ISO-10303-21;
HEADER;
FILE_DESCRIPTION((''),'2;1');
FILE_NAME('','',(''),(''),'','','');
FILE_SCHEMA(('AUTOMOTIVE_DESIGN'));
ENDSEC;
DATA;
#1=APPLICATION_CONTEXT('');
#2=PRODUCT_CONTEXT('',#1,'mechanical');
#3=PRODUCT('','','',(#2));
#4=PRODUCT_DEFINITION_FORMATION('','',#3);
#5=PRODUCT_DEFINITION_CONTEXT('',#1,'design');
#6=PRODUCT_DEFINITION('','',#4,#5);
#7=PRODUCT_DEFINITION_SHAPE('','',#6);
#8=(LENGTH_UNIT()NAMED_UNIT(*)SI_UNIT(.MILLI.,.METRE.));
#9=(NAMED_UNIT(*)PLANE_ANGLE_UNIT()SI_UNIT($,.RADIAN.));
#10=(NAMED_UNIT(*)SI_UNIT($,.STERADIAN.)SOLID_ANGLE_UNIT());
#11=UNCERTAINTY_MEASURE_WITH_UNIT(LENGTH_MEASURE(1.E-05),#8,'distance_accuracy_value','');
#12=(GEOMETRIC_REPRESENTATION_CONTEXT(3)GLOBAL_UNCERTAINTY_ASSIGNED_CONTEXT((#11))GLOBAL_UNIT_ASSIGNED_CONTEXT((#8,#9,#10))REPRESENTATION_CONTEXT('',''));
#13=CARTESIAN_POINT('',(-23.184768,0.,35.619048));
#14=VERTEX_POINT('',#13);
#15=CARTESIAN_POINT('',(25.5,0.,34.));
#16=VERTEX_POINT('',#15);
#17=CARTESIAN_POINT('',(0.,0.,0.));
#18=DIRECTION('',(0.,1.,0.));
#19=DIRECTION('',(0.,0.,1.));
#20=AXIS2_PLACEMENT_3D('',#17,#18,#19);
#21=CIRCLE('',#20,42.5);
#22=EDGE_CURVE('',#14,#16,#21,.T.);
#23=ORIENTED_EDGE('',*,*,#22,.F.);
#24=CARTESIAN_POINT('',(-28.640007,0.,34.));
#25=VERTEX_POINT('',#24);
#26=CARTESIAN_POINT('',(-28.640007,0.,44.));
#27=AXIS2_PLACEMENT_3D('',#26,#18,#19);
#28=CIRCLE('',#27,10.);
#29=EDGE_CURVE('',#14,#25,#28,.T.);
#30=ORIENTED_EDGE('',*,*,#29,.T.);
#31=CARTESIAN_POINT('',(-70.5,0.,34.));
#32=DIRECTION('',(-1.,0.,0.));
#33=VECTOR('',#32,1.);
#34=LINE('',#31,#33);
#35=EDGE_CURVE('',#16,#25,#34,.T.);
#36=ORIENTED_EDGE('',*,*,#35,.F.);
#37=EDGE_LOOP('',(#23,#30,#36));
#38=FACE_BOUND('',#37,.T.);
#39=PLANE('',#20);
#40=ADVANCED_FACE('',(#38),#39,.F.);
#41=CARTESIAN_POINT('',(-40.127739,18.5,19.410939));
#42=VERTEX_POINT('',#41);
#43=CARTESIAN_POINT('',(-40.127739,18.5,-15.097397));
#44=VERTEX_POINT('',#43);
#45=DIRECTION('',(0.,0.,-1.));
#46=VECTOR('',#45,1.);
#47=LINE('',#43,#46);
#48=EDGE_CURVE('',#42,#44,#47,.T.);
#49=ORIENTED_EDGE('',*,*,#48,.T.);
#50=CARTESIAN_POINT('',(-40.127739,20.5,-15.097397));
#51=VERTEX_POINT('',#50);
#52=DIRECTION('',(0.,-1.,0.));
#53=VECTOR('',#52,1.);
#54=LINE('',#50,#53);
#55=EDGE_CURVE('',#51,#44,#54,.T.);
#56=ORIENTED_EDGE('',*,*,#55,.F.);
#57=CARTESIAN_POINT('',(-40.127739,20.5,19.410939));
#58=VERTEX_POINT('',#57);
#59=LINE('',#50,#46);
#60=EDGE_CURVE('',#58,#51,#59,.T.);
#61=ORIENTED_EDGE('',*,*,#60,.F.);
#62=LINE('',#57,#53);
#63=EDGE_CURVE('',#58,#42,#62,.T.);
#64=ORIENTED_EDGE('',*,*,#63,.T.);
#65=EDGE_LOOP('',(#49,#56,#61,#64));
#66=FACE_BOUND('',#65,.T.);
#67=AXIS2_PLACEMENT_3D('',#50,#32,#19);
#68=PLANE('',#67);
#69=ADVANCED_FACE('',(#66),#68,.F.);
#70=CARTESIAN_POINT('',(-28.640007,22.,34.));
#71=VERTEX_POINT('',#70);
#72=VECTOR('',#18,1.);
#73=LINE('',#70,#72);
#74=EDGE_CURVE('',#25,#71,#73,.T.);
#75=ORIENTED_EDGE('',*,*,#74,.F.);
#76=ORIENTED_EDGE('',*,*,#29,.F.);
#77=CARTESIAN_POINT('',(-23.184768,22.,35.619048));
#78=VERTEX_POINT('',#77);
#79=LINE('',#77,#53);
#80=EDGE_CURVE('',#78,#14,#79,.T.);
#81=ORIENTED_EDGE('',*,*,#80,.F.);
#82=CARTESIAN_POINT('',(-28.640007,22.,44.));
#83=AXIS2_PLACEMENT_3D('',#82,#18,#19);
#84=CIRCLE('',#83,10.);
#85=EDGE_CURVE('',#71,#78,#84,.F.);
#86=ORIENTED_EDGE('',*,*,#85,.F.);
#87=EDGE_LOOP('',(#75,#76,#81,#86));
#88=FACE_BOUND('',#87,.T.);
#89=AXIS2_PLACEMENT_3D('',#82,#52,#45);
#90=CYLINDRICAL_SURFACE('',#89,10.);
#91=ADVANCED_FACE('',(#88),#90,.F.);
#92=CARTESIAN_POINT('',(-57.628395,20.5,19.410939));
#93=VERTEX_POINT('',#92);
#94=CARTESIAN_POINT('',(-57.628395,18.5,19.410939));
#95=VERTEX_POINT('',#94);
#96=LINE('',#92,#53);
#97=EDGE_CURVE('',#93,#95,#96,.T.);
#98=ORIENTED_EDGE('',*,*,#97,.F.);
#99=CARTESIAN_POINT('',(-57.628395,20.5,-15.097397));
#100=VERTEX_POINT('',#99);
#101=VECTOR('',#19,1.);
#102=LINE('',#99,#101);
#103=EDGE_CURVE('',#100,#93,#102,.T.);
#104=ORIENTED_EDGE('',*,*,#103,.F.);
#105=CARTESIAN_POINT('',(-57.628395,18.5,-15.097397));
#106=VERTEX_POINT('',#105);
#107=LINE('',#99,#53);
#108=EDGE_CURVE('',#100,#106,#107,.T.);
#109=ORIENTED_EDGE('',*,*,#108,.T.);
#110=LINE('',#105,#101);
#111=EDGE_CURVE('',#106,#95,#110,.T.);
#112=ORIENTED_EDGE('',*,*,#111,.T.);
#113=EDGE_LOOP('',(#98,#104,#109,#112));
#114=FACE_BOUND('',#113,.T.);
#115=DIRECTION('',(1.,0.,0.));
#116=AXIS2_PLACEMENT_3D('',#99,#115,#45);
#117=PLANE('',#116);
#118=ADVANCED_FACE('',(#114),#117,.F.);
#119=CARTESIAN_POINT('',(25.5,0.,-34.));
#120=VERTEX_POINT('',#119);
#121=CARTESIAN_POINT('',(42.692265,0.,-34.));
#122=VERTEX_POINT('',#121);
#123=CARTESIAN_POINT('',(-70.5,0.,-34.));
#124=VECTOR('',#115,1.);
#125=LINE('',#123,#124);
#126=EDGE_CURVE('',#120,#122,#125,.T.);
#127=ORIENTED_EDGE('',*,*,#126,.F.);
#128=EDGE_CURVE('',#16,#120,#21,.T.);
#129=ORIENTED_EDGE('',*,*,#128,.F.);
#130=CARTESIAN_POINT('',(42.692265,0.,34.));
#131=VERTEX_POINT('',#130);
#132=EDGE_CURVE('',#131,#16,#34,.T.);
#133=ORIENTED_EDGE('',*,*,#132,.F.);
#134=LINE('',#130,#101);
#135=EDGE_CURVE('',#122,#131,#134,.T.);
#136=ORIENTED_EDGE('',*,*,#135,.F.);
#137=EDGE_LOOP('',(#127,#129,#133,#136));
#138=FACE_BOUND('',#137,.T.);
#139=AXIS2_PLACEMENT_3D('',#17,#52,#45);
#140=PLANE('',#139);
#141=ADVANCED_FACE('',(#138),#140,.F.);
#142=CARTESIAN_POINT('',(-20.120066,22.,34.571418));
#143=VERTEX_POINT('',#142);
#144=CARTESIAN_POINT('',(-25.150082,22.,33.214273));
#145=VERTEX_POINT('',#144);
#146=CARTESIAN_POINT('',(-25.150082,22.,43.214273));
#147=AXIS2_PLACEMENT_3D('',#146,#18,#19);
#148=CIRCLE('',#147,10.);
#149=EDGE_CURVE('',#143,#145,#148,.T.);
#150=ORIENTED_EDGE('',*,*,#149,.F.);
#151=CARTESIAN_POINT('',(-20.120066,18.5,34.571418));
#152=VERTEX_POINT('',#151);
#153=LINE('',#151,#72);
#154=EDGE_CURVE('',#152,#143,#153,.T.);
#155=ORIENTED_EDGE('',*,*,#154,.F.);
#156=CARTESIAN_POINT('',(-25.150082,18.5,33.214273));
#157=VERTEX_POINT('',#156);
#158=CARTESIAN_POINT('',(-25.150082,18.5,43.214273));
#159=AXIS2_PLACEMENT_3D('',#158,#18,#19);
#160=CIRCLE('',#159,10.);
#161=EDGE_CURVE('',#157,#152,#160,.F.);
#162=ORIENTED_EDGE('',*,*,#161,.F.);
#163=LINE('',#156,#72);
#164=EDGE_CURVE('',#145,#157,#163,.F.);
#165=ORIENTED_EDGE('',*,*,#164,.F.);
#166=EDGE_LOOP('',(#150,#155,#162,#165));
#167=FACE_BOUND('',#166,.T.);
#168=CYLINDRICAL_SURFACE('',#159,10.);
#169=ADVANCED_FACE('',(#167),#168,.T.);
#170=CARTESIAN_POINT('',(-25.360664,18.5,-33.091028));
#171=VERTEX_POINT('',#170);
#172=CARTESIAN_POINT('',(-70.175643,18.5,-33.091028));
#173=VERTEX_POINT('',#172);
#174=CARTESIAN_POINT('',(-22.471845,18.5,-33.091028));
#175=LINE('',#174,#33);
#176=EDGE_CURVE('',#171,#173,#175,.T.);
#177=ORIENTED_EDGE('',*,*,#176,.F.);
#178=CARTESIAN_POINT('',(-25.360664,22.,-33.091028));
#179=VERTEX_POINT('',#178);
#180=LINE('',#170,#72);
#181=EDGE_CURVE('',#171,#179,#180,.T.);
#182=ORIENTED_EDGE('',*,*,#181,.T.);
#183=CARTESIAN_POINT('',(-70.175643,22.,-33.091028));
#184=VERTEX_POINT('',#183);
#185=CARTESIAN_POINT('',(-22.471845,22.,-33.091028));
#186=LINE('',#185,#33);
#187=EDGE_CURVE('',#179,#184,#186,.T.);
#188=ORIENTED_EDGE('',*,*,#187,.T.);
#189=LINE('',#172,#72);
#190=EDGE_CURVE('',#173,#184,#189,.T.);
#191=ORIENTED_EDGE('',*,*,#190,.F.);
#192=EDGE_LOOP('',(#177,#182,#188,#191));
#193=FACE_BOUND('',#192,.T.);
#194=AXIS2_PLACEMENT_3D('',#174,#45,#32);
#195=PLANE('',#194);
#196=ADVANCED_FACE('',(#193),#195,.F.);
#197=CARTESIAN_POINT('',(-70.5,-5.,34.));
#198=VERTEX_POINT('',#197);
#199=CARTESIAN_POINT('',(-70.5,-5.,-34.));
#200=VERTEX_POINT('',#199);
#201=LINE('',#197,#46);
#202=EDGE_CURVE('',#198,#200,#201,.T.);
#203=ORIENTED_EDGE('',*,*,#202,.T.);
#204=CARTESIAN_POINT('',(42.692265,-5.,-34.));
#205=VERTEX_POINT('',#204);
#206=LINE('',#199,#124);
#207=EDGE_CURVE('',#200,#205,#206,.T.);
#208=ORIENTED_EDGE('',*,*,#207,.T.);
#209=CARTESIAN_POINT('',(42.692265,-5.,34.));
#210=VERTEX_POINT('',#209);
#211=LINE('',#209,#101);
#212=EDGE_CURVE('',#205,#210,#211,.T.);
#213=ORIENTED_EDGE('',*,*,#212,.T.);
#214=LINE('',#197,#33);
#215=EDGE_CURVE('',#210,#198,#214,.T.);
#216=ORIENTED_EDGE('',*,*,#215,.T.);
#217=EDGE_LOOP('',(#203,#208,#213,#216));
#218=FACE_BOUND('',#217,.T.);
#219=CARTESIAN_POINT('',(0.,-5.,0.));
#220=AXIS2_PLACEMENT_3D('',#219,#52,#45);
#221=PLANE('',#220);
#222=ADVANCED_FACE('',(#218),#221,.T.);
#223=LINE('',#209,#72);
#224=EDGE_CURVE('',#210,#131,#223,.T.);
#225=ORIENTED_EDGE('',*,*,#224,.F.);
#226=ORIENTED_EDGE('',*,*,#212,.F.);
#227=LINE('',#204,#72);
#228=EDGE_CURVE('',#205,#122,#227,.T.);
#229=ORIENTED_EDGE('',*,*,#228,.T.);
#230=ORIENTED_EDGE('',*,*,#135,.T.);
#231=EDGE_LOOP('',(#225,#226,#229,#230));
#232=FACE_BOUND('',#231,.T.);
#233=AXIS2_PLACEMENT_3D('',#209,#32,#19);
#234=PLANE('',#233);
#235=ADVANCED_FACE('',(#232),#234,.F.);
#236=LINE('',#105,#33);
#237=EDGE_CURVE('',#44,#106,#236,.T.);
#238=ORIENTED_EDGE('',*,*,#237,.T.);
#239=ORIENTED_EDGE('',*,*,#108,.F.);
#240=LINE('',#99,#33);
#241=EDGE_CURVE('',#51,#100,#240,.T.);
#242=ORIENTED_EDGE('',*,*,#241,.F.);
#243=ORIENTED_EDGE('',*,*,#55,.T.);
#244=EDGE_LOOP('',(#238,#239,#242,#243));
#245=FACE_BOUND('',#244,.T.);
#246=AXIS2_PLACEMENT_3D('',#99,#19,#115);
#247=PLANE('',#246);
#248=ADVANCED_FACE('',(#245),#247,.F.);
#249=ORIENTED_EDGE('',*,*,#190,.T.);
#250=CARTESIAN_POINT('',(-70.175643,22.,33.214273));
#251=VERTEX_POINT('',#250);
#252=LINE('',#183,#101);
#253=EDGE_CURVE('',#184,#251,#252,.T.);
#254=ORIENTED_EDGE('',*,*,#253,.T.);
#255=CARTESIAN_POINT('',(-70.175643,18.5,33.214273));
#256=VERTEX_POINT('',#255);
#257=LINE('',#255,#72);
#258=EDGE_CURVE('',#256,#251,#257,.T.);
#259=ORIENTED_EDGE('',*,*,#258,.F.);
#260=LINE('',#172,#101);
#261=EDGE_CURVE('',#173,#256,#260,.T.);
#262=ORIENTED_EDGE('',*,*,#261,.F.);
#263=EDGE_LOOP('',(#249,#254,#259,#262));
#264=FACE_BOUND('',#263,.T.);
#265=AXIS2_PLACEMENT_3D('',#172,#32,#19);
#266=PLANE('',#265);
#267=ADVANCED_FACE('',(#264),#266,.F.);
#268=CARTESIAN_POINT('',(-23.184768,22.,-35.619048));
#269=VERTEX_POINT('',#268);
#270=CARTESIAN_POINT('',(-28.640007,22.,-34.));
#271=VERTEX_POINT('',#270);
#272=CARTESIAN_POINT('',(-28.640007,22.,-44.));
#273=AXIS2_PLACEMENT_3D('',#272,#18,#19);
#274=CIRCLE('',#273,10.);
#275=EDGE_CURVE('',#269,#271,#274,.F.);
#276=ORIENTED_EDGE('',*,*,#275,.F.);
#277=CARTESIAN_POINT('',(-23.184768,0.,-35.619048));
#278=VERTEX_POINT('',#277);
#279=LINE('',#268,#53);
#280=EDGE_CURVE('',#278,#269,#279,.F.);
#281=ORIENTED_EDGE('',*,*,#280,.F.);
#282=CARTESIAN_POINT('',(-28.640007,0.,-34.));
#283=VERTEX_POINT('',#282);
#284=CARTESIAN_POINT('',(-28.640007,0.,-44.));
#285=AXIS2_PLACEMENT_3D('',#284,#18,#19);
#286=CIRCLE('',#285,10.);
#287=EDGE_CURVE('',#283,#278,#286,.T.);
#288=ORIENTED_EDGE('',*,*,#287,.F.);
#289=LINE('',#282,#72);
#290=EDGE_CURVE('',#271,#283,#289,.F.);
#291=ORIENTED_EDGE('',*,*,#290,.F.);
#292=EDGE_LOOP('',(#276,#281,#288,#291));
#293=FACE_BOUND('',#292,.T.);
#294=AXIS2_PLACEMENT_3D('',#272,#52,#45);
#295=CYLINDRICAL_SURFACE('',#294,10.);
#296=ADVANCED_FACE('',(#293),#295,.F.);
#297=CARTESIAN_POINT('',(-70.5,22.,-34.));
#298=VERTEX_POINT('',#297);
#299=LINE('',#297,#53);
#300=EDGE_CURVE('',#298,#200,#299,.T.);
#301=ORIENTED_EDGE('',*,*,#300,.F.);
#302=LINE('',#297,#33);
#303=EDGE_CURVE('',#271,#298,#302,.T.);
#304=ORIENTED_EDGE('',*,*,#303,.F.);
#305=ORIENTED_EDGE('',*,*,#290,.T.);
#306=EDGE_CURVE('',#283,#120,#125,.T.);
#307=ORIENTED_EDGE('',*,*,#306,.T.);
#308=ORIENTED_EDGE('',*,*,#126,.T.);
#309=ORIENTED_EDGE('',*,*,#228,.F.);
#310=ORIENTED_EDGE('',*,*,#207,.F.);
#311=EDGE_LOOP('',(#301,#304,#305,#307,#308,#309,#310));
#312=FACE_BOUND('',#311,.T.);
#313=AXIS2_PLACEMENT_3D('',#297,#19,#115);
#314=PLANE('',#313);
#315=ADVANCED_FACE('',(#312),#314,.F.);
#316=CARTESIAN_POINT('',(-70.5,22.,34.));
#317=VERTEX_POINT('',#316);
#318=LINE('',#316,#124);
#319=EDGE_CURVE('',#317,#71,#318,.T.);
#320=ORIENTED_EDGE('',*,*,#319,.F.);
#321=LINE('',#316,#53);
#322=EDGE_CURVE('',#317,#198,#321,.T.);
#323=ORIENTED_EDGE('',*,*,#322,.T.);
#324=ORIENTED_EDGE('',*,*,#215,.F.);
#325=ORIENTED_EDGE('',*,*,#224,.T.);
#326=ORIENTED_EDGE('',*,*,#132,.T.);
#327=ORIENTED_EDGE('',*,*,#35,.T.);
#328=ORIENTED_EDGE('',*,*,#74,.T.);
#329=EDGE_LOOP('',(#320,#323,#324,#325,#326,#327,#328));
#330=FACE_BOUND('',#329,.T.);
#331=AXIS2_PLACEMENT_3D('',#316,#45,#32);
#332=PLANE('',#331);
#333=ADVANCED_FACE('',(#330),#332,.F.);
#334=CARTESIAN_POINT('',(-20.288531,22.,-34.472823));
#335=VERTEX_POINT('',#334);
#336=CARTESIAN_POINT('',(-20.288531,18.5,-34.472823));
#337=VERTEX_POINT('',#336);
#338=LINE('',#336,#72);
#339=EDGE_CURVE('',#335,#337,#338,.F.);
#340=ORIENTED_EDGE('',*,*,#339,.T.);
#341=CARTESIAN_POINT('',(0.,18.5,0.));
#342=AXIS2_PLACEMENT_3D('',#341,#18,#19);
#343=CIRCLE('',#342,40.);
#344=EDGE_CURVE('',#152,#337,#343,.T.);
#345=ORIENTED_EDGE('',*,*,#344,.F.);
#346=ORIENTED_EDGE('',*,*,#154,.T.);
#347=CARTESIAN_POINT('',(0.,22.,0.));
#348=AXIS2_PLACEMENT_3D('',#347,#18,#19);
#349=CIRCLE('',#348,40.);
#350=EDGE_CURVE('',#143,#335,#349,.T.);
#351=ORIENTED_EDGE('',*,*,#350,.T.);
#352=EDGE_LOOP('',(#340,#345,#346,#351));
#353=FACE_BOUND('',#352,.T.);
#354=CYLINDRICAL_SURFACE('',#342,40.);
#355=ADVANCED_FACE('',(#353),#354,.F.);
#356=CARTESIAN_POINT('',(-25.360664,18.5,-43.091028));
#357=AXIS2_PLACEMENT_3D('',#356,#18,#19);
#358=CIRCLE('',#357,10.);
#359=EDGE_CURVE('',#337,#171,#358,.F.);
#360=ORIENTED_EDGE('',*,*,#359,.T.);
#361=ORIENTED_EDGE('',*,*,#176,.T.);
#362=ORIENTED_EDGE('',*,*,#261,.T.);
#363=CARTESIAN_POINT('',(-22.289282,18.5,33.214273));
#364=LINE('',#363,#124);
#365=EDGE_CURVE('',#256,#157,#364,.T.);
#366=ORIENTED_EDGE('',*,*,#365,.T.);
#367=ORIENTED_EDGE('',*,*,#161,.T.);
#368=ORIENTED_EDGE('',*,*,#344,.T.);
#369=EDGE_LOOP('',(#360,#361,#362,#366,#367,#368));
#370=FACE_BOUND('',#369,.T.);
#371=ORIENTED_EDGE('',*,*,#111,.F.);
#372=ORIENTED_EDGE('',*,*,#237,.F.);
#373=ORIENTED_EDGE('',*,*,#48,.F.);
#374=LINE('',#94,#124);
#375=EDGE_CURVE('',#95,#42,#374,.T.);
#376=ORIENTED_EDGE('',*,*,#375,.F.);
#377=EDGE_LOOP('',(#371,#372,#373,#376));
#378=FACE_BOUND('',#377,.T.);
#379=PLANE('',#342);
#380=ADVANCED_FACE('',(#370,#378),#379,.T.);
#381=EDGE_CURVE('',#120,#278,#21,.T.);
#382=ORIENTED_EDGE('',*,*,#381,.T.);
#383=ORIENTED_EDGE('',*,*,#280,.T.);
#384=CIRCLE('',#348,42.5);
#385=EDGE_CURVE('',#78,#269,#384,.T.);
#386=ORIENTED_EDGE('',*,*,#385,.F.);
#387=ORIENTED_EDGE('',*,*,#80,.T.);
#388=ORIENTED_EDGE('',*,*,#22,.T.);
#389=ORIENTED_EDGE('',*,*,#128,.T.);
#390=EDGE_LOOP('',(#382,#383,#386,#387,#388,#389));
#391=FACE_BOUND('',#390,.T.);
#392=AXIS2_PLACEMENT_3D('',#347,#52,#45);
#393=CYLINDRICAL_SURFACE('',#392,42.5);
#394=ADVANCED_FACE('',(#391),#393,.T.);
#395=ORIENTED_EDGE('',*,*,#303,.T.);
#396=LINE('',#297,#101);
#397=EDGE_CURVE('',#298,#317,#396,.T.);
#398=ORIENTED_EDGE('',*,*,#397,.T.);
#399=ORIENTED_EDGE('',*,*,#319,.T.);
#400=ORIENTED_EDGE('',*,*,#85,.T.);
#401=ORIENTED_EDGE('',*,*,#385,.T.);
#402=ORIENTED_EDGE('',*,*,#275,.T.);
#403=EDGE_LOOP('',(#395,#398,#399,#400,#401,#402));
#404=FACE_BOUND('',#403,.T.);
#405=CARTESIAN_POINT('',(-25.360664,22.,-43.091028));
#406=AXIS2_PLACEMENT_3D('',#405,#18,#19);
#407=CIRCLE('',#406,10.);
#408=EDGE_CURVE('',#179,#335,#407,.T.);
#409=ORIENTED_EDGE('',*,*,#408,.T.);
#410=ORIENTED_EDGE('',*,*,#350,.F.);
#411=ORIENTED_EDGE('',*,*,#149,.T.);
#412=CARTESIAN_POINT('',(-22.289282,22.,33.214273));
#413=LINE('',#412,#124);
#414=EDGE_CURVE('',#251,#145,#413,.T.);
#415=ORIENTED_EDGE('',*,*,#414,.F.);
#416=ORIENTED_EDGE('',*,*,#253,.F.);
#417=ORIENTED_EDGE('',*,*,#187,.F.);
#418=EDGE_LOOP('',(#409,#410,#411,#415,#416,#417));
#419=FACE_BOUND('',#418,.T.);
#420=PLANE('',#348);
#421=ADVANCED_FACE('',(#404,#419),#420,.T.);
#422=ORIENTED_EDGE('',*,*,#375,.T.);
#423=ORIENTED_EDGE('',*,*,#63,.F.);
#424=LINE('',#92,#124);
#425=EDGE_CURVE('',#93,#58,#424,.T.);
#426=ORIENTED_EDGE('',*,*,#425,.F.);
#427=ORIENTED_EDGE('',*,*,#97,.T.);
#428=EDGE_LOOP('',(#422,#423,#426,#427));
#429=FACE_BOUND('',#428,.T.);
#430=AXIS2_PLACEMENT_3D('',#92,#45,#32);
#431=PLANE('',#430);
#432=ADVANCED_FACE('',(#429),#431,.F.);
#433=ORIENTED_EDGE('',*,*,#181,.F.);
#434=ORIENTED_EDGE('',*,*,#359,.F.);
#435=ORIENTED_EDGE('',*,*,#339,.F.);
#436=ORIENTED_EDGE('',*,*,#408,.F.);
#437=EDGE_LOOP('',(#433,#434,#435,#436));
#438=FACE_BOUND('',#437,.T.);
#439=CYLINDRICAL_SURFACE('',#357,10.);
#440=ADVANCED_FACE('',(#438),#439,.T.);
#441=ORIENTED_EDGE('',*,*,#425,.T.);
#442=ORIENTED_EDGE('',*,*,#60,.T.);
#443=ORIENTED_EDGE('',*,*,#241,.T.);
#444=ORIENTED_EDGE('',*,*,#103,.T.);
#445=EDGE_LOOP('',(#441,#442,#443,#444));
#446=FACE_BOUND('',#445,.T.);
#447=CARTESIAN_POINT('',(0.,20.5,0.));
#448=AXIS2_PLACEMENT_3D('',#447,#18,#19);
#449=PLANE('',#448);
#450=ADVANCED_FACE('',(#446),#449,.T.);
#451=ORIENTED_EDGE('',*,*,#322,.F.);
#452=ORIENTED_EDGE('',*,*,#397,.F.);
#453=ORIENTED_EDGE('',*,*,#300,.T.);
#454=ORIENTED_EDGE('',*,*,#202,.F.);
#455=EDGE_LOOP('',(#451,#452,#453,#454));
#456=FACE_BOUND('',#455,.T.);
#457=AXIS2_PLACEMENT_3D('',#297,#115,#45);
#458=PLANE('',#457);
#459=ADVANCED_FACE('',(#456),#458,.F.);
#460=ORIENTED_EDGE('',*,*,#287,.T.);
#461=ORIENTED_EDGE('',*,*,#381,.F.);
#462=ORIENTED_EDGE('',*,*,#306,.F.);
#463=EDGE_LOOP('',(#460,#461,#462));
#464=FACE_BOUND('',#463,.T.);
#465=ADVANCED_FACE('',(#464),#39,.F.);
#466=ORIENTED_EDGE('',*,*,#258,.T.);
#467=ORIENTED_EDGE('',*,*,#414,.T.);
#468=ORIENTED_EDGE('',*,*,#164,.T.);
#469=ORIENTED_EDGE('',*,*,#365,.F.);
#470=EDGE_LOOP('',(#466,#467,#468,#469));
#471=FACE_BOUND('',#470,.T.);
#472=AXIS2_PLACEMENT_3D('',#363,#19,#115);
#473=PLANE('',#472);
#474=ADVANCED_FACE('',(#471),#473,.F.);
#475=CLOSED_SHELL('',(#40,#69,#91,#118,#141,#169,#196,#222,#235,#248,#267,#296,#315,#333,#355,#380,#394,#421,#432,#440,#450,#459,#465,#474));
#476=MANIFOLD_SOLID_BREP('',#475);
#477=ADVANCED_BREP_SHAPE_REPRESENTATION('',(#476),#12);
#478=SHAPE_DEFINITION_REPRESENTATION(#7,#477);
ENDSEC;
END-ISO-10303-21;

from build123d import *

# Parameters (mm, degrees)
BOSS_EXTRUDE1_DEPTH = 22
FILLET1_R           = 10
CUT_EXTRUDE1_DEPTH  = 3.5
FILLET2_R           = 10
SKETCH4_W           = 17.500655667
SKETCH4_H           = 34.508335117
BOSS_EXTRUDE2_DEPTH = 2
SKETCH5_W           = 113.192264834
SKETCH5_H           = 68
BOSS_EXTRUDE3_DEPTH = 5


with BuildPart() as part:
    # Sketch1 → Boss-Extrude1 (new body)
    with BuildSketch(Plane(origin=(0, 0, 0), x_dir=(1, 0, 0), z_dir=(0, 1, 0))):
        with BuildLine():
            Line((-70.5, 34), (-25.5, 34))
            ThreePointArc((-25.5, 34), (42.5, 0), (-25.5, -34))
            Line((-25.5, -34), (-70.5, -34))
            Line((-70.5, -34), (-70.5, 34))
        make_face()
    extrude(amount=BOSS_EXTRUDE1_DEPTH)

    # Fillet1
    fillet1_edges = [part.edges().sort_by_distance(p)[0] for p in [
        (-25.5, 11, -34),
        (-25.5, 11, 34),
    ]]
    fillet(fillet1_edges, radius=FILLET1_R)

    # Sketch3 → Cut-Extrude1 (cut)
    with BuildSketch(Plane(origin=(0, 22, 0), x_dir=(1, 0, 0), z_dir=(0, 1, 0))):
        with BuildLine():
            Line((-22.471845342, 33.091028496), (-70.175642943, 33.091028496))
            Line((-70.175642943, 33.091028496), (-70.175642943, -33.21427255))
            Line((-70.175642943, -33.21427255), (-22.289282155, -33.21427255))
            ThreePointArc((-22.289282155, -33.21427255), (39.99984838, 0.110134479), (-22.471845342, 33.091028496))
        make_face()
    extrude(amount=-CUT_EXTRUDE1_DEPTH, mode=Mode.SUBTRACT)

    # Fillet2
    fillet2_edges = [part.edges().sort_by_distance(p)[0] for p in [
        (-22.471845342, 20.25, -33.091028496),
        (-22.289282155, 20.25, 33.21427255),
    ]]
    fillet(fillet2_edges, radius=FILLET2_R)

    # Sketch4 → Boss-Extrude2 (add)
    with BuildSketch(Plane(origin=(0, 18.5, 0), x_dir=(1, 0, 0), z_dir=(0, 1, 0))):
        with Locations((-48.878067279, -2.156770944)):
            Rectangle(SKETCH4_W, SKETCH4_H)
    extrude(amount=BOSS_EXTRUDE2_DEPTH)

    # Sketch5 → Boss-Extrude3 (add)
    with BuildSketch(Plane.XZ):
        with Locations((-13.903867583, 0)):
            Rectangle(SKETCH5_W, SKETCH5_H)
    extrude(amount=BOSS_EXTRUDE3_DEPTH)


solid = part.part
